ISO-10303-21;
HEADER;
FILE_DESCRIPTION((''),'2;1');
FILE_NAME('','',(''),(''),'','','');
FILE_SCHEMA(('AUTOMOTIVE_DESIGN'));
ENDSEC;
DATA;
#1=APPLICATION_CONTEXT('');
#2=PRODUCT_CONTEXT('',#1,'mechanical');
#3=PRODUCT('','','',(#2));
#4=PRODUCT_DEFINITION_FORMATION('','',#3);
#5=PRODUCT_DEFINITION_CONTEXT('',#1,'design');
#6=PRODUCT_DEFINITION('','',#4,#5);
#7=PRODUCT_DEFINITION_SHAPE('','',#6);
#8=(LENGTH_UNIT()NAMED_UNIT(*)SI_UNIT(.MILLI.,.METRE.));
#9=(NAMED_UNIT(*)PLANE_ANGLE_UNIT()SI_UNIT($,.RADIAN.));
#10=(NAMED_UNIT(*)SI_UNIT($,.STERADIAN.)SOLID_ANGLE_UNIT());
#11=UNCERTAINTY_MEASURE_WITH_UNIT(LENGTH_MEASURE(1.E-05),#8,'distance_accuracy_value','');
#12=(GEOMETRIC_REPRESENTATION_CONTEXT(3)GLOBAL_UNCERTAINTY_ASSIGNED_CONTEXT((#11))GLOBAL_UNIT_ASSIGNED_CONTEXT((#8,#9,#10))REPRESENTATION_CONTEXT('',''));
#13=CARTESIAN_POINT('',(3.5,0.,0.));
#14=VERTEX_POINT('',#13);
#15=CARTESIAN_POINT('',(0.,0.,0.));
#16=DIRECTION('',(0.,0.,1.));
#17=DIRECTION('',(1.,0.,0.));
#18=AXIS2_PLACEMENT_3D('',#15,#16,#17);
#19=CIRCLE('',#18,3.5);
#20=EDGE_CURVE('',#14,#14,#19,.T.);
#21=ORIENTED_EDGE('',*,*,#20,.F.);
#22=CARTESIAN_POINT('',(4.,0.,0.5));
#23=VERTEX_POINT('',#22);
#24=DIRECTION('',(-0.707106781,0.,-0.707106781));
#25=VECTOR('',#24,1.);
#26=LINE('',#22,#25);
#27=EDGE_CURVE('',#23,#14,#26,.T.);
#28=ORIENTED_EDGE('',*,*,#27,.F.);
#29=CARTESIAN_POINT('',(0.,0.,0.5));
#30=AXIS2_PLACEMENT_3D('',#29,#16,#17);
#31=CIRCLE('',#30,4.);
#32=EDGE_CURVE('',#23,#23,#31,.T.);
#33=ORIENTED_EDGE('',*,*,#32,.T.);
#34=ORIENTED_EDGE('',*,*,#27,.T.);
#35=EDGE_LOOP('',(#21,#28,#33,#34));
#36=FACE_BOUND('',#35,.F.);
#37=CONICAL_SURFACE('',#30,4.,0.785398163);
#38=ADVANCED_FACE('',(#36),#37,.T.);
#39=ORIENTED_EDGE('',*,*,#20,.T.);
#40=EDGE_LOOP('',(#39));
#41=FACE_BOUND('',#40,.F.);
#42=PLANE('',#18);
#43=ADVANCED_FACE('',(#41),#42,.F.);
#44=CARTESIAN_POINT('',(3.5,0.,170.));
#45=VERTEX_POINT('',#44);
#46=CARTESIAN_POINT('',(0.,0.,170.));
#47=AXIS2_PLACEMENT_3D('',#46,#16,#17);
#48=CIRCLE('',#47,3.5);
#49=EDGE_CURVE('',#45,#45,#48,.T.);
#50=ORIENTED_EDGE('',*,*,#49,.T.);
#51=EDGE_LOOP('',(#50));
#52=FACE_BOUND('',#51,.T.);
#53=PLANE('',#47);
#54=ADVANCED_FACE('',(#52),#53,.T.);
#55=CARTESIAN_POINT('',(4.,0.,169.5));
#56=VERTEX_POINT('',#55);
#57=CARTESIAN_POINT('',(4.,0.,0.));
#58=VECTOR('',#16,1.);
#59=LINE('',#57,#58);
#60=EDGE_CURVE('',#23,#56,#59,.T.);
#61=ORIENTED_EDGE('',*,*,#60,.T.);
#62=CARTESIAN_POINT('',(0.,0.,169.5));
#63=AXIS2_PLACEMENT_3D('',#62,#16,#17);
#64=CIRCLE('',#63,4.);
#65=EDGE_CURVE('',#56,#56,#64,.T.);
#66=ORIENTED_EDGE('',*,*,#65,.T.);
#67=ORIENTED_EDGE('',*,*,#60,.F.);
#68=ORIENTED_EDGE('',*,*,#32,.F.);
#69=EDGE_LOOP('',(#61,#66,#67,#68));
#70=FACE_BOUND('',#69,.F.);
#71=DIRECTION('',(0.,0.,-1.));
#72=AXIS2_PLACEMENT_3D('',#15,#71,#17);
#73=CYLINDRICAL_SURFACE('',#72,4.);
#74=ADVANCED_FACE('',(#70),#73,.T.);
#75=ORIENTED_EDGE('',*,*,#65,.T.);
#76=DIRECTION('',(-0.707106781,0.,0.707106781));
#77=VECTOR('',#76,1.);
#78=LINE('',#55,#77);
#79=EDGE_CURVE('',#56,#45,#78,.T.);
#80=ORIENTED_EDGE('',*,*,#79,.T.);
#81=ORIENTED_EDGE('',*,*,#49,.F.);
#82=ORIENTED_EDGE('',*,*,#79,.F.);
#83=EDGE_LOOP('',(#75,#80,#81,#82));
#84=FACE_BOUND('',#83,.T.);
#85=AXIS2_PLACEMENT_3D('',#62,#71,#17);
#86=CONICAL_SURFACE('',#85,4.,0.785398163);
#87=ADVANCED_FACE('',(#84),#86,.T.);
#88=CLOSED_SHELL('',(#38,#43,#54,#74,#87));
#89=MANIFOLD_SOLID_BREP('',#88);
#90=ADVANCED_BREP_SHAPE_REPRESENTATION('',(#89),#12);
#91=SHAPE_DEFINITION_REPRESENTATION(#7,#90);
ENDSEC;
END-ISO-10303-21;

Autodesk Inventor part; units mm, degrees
ref_plane "YZ Plane" through (0, 0, 0) normal (1, 0, 0) x (0, 1, 0)
ref_plane "XZ Plane" through (0, 0, 0) normal (0, 1, 0) x (-1, 0, 0)
ref_plane "XY Plane" through (0, 0, 0) normal (0, 0, 1) x (1, 0, 0)
sketch "Sketch1" plane through (0, 0, 0) normal (0, 0, 1) x (1, 0, 0)
  circle A0 centre (0, 0) radius 4
  dimension "d0" = 8
extrude "Extrusion1" add sketch "Sketch1" along normal blind 170
chamfer "Chamfer1" distance 0.5 angle 45 2 edges at (-4, 0, 170) (-4, 0, 0)
thread "Thread1" size "M8x1.25" class "6g" standard "ANSI Metric M Profile" full length
properties part number "Tornillo_Potencia"
